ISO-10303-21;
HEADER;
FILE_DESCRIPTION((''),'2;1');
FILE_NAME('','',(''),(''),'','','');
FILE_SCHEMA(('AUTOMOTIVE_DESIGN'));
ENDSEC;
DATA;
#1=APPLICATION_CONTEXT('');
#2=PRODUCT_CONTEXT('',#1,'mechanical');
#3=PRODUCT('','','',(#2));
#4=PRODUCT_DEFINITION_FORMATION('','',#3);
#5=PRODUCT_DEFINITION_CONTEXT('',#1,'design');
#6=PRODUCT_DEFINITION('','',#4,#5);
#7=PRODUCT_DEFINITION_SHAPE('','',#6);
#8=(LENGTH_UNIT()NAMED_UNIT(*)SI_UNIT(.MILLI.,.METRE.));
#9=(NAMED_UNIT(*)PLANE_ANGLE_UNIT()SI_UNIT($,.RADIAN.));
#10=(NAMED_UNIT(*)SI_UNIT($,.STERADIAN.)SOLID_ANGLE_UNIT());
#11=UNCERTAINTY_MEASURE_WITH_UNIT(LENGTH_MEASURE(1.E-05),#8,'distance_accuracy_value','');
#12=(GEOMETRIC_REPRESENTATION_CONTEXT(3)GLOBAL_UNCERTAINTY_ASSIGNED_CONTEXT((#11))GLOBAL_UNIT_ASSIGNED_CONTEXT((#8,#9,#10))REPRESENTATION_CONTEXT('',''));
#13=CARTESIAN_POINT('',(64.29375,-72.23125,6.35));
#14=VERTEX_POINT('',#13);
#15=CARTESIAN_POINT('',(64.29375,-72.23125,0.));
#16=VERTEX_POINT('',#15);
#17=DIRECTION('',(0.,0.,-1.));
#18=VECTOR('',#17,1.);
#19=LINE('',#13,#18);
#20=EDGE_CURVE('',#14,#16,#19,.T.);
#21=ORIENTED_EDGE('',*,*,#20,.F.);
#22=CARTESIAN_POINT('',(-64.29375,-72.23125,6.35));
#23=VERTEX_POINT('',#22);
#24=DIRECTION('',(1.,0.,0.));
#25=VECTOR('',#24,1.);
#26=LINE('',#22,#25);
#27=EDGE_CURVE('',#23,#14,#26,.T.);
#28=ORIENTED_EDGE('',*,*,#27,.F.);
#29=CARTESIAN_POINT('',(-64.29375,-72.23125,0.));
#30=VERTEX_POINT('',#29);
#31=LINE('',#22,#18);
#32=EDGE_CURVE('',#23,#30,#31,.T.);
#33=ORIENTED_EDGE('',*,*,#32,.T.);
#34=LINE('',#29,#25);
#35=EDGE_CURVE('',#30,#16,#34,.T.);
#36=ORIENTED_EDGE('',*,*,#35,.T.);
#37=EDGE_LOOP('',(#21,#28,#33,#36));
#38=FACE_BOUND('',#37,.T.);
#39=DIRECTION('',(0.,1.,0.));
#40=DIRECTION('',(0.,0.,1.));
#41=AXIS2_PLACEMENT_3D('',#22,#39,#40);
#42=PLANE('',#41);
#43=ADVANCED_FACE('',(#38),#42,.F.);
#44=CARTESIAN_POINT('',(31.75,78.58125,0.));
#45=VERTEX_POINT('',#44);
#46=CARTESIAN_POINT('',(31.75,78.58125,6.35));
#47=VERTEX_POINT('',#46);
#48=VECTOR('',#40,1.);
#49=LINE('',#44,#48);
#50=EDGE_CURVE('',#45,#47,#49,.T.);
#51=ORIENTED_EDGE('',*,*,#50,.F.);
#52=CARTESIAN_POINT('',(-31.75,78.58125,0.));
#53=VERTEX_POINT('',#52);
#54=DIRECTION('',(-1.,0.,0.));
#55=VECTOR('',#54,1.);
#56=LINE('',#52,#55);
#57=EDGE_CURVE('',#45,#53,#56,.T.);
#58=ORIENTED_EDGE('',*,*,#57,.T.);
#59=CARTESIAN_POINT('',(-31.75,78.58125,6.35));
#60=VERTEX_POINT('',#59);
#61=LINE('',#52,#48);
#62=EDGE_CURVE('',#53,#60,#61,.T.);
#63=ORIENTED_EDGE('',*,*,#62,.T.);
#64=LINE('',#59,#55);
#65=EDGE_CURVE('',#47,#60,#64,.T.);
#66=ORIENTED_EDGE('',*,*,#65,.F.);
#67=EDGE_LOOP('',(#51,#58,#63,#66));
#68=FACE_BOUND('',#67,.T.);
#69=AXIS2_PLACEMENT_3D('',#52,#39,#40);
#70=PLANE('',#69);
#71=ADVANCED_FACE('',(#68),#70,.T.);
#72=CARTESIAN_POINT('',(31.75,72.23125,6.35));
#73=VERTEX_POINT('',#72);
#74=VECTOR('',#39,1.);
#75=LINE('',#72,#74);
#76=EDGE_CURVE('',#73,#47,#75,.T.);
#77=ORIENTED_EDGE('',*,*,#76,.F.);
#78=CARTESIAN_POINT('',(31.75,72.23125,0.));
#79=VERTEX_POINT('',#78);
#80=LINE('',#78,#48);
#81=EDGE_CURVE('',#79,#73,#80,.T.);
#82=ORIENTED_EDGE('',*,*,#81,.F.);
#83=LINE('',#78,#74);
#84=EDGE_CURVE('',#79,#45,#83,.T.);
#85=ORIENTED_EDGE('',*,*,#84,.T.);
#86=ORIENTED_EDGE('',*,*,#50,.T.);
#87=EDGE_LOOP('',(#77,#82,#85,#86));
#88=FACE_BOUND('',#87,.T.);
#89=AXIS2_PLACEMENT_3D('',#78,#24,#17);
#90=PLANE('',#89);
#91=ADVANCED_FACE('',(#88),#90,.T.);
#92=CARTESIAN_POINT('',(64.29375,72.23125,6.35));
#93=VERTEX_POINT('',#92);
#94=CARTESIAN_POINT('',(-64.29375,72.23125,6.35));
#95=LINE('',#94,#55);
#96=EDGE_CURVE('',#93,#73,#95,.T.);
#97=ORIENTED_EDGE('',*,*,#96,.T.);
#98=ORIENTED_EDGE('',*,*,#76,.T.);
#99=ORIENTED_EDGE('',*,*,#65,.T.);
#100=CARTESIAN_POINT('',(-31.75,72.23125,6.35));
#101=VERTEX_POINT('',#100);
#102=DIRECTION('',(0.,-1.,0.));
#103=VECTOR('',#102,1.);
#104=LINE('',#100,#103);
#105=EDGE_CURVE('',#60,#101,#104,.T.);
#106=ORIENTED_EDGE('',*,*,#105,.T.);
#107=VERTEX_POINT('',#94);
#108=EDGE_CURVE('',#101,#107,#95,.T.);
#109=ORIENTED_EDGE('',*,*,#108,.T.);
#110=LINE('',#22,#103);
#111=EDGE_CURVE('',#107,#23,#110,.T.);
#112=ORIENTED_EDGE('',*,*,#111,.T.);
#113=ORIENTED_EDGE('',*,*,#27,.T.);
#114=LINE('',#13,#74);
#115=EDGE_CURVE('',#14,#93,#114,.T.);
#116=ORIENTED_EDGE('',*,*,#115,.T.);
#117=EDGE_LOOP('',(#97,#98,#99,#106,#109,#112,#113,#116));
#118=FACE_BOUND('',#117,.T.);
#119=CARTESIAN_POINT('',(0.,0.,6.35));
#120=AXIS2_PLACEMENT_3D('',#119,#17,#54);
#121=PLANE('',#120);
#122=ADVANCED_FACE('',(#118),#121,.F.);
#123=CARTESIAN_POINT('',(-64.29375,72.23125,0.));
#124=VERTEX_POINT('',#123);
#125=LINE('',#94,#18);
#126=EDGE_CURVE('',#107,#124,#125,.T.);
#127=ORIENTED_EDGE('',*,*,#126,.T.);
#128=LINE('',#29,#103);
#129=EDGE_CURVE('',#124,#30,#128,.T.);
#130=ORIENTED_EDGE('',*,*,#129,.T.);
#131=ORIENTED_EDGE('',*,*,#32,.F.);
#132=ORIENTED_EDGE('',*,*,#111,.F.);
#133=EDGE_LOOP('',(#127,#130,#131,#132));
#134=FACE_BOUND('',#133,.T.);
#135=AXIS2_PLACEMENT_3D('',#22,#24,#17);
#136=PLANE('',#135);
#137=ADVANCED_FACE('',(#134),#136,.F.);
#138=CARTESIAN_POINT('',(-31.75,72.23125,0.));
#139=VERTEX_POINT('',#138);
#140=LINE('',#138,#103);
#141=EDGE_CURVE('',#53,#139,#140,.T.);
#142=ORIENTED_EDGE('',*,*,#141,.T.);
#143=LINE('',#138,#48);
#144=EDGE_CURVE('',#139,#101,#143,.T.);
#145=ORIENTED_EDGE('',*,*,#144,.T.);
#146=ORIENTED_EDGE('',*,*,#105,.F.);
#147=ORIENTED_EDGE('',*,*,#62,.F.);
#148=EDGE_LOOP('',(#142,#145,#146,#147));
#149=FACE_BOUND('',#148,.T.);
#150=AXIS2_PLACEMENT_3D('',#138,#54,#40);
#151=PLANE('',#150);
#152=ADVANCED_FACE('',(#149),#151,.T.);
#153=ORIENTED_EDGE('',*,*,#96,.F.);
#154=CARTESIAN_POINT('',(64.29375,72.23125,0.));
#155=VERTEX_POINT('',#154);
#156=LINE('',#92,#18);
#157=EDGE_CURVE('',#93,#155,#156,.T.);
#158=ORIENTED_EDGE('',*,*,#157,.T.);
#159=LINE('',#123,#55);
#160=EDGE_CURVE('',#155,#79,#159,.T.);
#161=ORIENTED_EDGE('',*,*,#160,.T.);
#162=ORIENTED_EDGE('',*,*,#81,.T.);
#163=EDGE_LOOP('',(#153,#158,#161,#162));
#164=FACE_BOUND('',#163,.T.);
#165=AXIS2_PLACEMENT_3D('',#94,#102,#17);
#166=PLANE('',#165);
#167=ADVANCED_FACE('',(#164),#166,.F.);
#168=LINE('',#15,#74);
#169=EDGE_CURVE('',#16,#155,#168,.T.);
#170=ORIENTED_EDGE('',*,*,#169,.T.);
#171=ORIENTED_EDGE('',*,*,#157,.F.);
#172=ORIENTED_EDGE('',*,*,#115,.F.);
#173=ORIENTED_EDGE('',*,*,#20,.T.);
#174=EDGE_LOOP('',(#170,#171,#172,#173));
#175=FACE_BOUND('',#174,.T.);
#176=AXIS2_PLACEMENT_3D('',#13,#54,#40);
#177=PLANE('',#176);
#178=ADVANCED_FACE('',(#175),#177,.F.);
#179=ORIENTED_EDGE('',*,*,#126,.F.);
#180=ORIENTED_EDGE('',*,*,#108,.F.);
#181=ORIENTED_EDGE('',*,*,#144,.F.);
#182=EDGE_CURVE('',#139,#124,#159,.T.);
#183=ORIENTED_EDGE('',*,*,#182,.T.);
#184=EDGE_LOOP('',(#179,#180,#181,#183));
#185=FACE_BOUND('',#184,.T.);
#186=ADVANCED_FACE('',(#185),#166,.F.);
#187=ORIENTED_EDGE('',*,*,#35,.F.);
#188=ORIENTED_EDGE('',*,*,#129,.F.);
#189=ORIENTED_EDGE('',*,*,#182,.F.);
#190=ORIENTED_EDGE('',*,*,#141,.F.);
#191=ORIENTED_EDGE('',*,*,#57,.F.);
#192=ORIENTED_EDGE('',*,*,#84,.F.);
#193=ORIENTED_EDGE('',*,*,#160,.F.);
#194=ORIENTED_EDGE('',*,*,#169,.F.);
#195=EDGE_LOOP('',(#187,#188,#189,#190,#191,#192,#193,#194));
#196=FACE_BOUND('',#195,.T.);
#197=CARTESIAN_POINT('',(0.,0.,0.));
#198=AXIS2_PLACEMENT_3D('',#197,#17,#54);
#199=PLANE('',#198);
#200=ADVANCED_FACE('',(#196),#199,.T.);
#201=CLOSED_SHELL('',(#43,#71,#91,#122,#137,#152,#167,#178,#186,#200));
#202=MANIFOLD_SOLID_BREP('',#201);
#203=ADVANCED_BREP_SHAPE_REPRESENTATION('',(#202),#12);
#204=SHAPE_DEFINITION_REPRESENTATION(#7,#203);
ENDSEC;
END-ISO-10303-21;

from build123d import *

# Parameters (mm, degrees)
SKETCH2_W           = 128.5875
SKETCH2_H           = 144.4625
BOSS_EXTRUDE1_DEPTH = 6.35
SKETCH3_W           = 63.5
SKETCH3_H           = 6.35
BOSS_EXTRUDE2_DEPTH = 6.35


with BuildPart() as part:
    # Sketch2 → Boss-Extrude1 (new body)
    with BuildSketch(Plane.XY):
        Rectangle(SKETCH2_W, SKETCH2_H)
    extrude(amount=BOSS_EXTRUDE1_DEPTH)

    # Sketch3 → Boss-Extrude2 (add)
    with BuildSketch(Plane.XY.offset(6.35)):
        with Locations((0, 75.40625)):
            Rectangle(SKETCH3_W, SKETCH3_H)
    extrude(amount=-BOSS_EXTRUDE2_DEPTH)


solid = part.part
